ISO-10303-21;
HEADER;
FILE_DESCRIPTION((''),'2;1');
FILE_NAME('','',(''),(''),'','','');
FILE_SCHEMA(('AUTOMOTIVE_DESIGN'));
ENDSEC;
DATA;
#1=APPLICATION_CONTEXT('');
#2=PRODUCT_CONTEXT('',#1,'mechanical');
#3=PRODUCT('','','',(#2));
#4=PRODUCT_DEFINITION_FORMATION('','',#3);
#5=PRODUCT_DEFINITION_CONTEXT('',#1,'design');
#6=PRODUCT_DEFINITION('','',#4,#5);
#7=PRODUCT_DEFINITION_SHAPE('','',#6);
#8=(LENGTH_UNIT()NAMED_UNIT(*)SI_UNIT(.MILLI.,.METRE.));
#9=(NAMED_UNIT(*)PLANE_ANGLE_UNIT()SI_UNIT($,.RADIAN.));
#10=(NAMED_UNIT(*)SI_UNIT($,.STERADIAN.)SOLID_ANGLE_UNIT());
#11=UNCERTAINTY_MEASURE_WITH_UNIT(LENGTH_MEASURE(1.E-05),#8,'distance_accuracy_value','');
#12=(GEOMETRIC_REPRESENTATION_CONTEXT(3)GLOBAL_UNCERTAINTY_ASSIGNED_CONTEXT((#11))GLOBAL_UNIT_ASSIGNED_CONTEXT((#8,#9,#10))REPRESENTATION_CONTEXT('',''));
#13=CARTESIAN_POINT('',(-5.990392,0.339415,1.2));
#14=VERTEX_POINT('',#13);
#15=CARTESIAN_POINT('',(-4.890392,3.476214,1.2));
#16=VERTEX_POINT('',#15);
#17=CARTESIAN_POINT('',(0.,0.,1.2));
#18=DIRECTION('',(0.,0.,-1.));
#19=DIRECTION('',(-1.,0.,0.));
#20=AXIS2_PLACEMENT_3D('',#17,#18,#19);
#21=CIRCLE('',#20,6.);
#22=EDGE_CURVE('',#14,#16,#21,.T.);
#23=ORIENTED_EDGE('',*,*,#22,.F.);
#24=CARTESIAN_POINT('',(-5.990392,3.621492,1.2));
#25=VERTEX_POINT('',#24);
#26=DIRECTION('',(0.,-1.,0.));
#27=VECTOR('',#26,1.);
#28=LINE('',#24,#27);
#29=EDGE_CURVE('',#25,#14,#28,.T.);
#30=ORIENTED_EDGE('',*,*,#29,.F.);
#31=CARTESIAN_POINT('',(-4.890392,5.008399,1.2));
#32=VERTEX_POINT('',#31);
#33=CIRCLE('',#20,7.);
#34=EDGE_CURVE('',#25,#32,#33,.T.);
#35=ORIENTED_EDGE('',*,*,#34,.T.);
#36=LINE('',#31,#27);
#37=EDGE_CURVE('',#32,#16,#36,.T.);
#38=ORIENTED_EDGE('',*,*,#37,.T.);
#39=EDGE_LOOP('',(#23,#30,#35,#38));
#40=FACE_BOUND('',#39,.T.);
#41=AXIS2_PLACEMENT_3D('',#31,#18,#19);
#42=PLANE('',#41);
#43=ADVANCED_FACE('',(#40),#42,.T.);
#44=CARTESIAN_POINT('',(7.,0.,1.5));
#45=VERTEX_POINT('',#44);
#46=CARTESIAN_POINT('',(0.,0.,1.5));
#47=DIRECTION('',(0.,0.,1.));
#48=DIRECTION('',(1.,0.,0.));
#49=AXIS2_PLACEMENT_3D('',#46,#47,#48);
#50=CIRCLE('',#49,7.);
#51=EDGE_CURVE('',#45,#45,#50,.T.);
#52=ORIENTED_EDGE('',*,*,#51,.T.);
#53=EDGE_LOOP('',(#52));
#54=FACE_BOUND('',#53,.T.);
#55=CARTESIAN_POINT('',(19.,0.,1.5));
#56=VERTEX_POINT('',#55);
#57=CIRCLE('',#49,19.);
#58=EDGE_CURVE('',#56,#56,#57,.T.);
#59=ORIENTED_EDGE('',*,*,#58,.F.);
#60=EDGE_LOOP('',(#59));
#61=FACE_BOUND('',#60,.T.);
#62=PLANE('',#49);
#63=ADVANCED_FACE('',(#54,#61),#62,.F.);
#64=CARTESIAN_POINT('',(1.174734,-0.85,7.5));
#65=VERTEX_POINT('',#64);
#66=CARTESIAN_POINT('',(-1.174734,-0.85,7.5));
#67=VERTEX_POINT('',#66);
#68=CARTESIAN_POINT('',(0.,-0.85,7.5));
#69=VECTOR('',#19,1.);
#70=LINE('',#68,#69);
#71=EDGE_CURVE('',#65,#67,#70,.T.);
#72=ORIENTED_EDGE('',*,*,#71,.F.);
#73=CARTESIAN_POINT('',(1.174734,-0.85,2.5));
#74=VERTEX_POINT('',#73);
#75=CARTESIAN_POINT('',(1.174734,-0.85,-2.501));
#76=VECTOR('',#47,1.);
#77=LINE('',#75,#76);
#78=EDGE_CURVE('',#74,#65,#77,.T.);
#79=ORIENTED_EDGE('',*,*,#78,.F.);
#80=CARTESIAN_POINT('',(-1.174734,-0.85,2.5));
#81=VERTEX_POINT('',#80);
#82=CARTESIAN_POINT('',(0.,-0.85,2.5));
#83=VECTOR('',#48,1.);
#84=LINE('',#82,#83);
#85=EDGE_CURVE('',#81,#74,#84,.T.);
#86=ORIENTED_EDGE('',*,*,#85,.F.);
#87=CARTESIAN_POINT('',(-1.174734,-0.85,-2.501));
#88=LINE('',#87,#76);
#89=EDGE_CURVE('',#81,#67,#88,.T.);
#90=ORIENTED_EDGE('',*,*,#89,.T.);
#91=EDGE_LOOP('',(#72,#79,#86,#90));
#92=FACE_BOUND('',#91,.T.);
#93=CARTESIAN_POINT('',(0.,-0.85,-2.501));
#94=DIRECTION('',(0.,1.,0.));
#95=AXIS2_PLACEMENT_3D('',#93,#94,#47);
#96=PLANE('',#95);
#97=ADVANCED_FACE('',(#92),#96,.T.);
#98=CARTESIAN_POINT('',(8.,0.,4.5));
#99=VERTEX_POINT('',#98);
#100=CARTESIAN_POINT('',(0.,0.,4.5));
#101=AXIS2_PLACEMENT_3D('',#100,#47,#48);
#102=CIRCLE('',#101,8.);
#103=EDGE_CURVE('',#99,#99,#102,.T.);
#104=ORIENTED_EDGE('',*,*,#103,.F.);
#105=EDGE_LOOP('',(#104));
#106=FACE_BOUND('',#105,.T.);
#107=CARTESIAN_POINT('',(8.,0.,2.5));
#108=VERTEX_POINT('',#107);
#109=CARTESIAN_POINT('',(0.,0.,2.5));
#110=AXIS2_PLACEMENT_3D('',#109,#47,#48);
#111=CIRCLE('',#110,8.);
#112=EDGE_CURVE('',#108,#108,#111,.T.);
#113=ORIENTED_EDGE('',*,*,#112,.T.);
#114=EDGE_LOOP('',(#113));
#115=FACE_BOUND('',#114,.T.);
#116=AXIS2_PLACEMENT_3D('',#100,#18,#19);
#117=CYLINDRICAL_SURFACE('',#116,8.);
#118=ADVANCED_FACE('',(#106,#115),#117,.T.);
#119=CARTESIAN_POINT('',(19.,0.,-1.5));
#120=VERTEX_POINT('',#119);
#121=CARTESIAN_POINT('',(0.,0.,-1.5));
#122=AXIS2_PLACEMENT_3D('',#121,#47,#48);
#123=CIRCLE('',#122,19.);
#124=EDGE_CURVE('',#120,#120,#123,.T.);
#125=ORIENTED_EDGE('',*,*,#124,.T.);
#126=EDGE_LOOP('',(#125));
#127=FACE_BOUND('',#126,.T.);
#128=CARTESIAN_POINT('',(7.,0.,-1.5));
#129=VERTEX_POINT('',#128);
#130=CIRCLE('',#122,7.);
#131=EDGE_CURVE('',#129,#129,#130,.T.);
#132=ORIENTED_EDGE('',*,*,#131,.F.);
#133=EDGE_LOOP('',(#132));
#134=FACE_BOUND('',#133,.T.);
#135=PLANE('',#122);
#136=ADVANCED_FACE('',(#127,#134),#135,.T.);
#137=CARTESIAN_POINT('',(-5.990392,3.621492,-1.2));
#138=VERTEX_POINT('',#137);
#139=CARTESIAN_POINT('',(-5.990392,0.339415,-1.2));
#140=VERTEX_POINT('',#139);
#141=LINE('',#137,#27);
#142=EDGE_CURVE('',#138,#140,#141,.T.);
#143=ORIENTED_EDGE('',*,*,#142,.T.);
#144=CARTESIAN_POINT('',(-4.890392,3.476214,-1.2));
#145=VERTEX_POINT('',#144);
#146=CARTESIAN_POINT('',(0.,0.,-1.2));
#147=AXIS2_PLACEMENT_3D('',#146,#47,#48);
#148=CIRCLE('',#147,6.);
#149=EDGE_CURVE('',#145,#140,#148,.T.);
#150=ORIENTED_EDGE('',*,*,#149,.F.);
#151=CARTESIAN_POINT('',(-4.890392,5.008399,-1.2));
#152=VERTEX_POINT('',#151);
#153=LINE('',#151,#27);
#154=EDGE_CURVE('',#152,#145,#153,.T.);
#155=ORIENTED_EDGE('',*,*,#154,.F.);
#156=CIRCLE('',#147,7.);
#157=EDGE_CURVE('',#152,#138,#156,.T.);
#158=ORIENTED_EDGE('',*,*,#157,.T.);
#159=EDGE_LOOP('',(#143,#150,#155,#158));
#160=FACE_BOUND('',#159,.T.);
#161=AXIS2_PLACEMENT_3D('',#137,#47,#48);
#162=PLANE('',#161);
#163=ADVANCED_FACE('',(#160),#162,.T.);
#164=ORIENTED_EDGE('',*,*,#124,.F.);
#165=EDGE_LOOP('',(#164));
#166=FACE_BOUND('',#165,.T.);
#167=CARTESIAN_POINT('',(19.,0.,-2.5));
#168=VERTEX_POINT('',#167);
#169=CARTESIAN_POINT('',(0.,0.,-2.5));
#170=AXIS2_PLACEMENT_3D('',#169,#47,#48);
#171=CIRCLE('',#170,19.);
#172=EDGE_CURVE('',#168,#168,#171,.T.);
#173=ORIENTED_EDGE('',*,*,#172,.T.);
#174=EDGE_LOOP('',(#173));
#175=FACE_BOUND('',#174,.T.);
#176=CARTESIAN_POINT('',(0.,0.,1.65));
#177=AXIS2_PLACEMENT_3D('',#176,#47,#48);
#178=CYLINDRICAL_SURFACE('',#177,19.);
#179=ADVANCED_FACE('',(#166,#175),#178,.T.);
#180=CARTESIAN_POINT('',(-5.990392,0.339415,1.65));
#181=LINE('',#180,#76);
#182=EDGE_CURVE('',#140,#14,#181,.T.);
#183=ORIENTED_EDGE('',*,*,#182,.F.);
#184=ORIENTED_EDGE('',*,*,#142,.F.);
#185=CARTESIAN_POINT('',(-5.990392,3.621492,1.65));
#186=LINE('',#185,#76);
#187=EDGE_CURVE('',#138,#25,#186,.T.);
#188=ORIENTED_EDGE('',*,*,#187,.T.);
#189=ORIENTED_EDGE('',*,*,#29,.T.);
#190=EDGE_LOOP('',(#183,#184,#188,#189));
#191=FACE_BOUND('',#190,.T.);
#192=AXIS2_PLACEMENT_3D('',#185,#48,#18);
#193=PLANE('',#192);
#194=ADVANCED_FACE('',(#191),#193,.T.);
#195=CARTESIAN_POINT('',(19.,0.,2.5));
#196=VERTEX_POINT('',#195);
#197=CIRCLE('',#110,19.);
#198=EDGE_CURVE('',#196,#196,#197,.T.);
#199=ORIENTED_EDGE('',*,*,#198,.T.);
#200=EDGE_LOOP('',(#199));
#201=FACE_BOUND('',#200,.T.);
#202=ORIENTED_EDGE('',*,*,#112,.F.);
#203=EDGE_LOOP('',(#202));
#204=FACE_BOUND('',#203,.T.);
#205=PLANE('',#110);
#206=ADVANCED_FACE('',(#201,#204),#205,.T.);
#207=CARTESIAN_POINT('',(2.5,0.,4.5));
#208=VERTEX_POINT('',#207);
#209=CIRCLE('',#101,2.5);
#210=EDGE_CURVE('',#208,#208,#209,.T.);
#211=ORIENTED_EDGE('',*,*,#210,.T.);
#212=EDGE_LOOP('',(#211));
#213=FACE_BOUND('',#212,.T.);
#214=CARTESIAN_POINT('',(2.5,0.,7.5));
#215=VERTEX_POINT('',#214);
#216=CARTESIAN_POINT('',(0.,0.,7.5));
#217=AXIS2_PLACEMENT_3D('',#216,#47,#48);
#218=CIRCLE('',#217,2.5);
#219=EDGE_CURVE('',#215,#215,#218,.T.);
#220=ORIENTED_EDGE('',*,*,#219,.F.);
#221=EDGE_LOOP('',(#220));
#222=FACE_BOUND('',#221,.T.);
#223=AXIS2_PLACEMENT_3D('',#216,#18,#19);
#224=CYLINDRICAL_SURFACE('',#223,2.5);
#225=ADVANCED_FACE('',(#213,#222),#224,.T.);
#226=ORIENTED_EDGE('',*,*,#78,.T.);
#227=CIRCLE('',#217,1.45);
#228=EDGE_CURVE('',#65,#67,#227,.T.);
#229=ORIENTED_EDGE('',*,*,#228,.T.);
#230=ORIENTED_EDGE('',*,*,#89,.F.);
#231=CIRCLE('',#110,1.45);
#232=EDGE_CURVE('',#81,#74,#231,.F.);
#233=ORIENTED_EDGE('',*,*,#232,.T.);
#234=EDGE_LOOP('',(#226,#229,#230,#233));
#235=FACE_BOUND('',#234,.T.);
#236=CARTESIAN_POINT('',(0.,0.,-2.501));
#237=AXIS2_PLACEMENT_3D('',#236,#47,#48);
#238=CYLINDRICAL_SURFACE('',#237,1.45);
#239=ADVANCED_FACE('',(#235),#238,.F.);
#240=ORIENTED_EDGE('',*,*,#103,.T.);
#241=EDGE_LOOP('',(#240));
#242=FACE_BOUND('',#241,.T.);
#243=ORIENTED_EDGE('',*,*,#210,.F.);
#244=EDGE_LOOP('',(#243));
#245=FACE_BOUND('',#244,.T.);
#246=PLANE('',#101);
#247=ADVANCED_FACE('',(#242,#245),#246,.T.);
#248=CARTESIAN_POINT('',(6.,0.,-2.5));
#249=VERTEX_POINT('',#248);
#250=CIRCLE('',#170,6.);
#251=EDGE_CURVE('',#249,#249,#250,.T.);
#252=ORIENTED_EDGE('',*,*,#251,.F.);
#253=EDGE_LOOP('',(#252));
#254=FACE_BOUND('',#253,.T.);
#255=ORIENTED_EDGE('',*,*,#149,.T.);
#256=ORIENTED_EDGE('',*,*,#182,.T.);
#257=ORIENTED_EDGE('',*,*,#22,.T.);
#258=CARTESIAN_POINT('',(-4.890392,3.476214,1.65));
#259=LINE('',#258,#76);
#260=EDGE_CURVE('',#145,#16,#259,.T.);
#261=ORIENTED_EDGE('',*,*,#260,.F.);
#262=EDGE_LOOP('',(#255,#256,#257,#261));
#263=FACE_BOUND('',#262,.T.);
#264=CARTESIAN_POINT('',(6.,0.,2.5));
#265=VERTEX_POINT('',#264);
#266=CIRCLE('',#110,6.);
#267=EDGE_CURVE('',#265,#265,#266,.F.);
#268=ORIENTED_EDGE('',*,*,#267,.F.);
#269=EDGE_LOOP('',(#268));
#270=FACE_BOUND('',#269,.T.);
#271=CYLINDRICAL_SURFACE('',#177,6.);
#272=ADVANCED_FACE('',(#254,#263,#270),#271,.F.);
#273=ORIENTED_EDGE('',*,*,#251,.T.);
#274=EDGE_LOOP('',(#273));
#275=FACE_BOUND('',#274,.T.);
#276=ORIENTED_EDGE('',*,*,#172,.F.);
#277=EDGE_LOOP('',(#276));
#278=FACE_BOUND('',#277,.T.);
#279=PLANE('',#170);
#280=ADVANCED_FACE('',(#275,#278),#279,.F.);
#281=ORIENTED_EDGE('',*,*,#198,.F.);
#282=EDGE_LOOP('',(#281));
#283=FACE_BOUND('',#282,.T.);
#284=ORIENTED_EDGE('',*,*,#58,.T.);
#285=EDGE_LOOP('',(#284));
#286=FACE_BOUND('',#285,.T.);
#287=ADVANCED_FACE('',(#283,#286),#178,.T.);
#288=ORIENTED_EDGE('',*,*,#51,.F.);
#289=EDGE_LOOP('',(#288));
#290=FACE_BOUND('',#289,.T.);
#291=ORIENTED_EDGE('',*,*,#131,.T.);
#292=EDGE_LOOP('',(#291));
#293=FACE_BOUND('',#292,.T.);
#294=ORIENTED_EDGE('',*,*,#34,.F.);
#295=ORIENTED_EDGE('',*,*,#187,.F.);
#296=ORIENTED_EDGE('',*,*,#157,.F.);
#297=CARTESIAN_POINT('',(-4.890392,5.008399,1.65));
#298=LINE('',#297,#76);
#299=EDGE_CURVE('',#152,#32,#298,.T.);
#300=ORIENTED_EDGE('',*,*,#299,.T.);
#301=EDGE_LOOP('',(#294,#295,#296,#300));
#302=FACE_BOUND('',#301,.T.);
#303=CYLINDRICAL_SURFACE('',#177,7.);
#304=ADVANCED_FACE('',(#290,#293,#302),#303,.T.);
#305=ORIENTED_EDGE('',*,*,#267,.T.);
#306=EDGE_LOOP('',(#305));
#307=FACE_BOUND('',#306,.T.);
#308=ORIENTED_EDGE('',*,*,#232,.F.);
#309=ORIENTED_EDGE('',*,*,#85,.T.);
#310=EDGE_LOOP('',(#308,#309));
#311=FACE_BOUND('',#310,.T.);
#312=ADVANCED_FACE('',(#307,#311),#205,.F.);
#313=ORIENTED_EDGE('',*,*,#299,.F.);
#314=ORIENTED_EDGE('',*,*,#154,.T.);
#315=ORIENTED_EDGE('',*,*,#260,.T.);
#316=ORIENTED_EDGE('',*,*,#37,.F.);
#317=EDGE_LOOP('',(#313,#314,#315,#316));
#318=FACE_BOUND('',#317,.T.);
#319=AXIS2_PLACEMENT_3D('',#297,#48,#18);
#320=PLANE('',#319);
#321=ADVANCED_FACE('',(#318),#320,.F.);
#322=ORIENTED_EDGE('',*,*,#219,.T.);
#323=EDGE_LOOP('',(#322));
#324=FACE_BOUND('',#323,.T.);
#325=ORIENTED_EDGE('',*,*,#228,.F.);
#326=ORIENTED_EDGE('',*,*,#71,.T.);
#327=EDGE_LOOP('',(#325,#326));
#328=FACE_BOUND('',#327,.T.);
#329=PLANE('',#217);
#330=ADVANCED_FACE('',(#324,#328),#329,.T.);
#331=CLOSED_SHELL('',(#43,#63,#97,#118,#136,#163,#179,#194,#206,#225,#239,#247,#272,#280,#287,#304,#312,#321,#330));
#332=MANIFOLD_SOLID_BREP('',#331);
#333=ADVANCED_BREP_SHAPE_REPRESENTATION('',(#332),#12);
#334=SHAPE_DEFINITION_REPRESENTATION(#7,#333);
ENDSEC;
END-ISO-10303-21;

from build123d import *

# Parameters (mm, degrees)
SKETCH_1_W            = 3
SKETCH_1_H            = 1
CUT_EXTRUDE_START     = 0.339415
SKETCH_3_W            = 1.1
SKETCH_3_H            = 2.4
CUT_EXTRUDE_899_DEPTH = 4.668984
SKETCH_4_R            = 8
EXTRUDE_1_DEPTH       = 2
SKETCH_5_R            = 2.5
EXTRUDE_2_DEPTH       = 3
CUT_EXTRUDE_2_REACH   = 30.671


with BuildPart() as part:
    # 草图1 → Revolve 702 (revolve)
    with BuildSketch(Plane(origin=(0, 0, 0), x_dir=(0, 0, -1), z_dir=(1, 0, 0)), mode=Mode.PRIVATE) as revolve_702_sk:
        Polygon((1.5, 7), (1.5, 6), (2.5, 6), (2.5, 19), (1.5, 19), align=None)
        with Locations((0, 6.5)):
            Rectangle(SKETCH_1_W, SKETCH_1_H)
        Polygon((-2.5, 6), (-1.5, 6), (-1.5, 7), (-1.5, 19), (-2.5, 19), align=None)
    revolve(revolve_702_sk.sketch.rotate(Axis((0, 0, 1.65), (0, 0, -1)), 90), axis=Axis((0, 0, 1.65), (0, 0, -1)))

    # 草图3 → Cut-Extrude 899 (cut)
    with BuildSketch(Plane(origin=(0, 0, 0), x_dir=(1, 0, 0), z_dir=(0, 1, 0)).offset(CUT_EXTRUDE_START)):
        with Locations((-5.440392091, 0)):
            Rectangle(SKETCH_3_W, SKETCH_3_H)
    extrude(amount=CUT_EXTRUDE_899_DEPTH, mode=Mode.SUBTRACT)

    # 草图4 → 凸台-拉伸1 (add)
    with BuildSketch(Plane.XY.offset(2.5)):
        Circle(SKETCH_4_R)
    extrude(amount=EXTRUDE_1_DEPTH)

    # 草图5 → 凸台-拉伸2 (add)
    with BuildSketch(Plane.XY.offset(4.5)):
        Circle(SKETCH_5_R)
    extrude(amount=EXTRUDE_2_DEPTH)

    # 草图6 → 切除-拉伸2 (cut, up to next)
    with BuildSketch(Plane.XY.offset(7.5), mode=Mode.PRIVATE) as cut_extrude_2_sk1:
        with BuildLine():
            Line((-1.174734012, -0.85), (1.174734012, -0.85))
            ThreePointArc((1.174734012, -0.85), (1.379468071, -0.446730166), (1.45, 0))
            ThreePointArc((1.45, 0), (-0.446730166, 1.379468071), (-1.174734012, -0.85))
        make_face()
    cut_extrude_2_tool1 = extrude(cut_extrude_2_sk1.sketch, amount=-CUT_EXTRUDE_2_REACH, mode=Mode.PRIVATE) & part.part
    add(cut_extrude_2_tool1.solids().sort_by_distance((0, 0.192371, 7.5))[0], mode=Mode.SUBTRACT)


solid = part.part
